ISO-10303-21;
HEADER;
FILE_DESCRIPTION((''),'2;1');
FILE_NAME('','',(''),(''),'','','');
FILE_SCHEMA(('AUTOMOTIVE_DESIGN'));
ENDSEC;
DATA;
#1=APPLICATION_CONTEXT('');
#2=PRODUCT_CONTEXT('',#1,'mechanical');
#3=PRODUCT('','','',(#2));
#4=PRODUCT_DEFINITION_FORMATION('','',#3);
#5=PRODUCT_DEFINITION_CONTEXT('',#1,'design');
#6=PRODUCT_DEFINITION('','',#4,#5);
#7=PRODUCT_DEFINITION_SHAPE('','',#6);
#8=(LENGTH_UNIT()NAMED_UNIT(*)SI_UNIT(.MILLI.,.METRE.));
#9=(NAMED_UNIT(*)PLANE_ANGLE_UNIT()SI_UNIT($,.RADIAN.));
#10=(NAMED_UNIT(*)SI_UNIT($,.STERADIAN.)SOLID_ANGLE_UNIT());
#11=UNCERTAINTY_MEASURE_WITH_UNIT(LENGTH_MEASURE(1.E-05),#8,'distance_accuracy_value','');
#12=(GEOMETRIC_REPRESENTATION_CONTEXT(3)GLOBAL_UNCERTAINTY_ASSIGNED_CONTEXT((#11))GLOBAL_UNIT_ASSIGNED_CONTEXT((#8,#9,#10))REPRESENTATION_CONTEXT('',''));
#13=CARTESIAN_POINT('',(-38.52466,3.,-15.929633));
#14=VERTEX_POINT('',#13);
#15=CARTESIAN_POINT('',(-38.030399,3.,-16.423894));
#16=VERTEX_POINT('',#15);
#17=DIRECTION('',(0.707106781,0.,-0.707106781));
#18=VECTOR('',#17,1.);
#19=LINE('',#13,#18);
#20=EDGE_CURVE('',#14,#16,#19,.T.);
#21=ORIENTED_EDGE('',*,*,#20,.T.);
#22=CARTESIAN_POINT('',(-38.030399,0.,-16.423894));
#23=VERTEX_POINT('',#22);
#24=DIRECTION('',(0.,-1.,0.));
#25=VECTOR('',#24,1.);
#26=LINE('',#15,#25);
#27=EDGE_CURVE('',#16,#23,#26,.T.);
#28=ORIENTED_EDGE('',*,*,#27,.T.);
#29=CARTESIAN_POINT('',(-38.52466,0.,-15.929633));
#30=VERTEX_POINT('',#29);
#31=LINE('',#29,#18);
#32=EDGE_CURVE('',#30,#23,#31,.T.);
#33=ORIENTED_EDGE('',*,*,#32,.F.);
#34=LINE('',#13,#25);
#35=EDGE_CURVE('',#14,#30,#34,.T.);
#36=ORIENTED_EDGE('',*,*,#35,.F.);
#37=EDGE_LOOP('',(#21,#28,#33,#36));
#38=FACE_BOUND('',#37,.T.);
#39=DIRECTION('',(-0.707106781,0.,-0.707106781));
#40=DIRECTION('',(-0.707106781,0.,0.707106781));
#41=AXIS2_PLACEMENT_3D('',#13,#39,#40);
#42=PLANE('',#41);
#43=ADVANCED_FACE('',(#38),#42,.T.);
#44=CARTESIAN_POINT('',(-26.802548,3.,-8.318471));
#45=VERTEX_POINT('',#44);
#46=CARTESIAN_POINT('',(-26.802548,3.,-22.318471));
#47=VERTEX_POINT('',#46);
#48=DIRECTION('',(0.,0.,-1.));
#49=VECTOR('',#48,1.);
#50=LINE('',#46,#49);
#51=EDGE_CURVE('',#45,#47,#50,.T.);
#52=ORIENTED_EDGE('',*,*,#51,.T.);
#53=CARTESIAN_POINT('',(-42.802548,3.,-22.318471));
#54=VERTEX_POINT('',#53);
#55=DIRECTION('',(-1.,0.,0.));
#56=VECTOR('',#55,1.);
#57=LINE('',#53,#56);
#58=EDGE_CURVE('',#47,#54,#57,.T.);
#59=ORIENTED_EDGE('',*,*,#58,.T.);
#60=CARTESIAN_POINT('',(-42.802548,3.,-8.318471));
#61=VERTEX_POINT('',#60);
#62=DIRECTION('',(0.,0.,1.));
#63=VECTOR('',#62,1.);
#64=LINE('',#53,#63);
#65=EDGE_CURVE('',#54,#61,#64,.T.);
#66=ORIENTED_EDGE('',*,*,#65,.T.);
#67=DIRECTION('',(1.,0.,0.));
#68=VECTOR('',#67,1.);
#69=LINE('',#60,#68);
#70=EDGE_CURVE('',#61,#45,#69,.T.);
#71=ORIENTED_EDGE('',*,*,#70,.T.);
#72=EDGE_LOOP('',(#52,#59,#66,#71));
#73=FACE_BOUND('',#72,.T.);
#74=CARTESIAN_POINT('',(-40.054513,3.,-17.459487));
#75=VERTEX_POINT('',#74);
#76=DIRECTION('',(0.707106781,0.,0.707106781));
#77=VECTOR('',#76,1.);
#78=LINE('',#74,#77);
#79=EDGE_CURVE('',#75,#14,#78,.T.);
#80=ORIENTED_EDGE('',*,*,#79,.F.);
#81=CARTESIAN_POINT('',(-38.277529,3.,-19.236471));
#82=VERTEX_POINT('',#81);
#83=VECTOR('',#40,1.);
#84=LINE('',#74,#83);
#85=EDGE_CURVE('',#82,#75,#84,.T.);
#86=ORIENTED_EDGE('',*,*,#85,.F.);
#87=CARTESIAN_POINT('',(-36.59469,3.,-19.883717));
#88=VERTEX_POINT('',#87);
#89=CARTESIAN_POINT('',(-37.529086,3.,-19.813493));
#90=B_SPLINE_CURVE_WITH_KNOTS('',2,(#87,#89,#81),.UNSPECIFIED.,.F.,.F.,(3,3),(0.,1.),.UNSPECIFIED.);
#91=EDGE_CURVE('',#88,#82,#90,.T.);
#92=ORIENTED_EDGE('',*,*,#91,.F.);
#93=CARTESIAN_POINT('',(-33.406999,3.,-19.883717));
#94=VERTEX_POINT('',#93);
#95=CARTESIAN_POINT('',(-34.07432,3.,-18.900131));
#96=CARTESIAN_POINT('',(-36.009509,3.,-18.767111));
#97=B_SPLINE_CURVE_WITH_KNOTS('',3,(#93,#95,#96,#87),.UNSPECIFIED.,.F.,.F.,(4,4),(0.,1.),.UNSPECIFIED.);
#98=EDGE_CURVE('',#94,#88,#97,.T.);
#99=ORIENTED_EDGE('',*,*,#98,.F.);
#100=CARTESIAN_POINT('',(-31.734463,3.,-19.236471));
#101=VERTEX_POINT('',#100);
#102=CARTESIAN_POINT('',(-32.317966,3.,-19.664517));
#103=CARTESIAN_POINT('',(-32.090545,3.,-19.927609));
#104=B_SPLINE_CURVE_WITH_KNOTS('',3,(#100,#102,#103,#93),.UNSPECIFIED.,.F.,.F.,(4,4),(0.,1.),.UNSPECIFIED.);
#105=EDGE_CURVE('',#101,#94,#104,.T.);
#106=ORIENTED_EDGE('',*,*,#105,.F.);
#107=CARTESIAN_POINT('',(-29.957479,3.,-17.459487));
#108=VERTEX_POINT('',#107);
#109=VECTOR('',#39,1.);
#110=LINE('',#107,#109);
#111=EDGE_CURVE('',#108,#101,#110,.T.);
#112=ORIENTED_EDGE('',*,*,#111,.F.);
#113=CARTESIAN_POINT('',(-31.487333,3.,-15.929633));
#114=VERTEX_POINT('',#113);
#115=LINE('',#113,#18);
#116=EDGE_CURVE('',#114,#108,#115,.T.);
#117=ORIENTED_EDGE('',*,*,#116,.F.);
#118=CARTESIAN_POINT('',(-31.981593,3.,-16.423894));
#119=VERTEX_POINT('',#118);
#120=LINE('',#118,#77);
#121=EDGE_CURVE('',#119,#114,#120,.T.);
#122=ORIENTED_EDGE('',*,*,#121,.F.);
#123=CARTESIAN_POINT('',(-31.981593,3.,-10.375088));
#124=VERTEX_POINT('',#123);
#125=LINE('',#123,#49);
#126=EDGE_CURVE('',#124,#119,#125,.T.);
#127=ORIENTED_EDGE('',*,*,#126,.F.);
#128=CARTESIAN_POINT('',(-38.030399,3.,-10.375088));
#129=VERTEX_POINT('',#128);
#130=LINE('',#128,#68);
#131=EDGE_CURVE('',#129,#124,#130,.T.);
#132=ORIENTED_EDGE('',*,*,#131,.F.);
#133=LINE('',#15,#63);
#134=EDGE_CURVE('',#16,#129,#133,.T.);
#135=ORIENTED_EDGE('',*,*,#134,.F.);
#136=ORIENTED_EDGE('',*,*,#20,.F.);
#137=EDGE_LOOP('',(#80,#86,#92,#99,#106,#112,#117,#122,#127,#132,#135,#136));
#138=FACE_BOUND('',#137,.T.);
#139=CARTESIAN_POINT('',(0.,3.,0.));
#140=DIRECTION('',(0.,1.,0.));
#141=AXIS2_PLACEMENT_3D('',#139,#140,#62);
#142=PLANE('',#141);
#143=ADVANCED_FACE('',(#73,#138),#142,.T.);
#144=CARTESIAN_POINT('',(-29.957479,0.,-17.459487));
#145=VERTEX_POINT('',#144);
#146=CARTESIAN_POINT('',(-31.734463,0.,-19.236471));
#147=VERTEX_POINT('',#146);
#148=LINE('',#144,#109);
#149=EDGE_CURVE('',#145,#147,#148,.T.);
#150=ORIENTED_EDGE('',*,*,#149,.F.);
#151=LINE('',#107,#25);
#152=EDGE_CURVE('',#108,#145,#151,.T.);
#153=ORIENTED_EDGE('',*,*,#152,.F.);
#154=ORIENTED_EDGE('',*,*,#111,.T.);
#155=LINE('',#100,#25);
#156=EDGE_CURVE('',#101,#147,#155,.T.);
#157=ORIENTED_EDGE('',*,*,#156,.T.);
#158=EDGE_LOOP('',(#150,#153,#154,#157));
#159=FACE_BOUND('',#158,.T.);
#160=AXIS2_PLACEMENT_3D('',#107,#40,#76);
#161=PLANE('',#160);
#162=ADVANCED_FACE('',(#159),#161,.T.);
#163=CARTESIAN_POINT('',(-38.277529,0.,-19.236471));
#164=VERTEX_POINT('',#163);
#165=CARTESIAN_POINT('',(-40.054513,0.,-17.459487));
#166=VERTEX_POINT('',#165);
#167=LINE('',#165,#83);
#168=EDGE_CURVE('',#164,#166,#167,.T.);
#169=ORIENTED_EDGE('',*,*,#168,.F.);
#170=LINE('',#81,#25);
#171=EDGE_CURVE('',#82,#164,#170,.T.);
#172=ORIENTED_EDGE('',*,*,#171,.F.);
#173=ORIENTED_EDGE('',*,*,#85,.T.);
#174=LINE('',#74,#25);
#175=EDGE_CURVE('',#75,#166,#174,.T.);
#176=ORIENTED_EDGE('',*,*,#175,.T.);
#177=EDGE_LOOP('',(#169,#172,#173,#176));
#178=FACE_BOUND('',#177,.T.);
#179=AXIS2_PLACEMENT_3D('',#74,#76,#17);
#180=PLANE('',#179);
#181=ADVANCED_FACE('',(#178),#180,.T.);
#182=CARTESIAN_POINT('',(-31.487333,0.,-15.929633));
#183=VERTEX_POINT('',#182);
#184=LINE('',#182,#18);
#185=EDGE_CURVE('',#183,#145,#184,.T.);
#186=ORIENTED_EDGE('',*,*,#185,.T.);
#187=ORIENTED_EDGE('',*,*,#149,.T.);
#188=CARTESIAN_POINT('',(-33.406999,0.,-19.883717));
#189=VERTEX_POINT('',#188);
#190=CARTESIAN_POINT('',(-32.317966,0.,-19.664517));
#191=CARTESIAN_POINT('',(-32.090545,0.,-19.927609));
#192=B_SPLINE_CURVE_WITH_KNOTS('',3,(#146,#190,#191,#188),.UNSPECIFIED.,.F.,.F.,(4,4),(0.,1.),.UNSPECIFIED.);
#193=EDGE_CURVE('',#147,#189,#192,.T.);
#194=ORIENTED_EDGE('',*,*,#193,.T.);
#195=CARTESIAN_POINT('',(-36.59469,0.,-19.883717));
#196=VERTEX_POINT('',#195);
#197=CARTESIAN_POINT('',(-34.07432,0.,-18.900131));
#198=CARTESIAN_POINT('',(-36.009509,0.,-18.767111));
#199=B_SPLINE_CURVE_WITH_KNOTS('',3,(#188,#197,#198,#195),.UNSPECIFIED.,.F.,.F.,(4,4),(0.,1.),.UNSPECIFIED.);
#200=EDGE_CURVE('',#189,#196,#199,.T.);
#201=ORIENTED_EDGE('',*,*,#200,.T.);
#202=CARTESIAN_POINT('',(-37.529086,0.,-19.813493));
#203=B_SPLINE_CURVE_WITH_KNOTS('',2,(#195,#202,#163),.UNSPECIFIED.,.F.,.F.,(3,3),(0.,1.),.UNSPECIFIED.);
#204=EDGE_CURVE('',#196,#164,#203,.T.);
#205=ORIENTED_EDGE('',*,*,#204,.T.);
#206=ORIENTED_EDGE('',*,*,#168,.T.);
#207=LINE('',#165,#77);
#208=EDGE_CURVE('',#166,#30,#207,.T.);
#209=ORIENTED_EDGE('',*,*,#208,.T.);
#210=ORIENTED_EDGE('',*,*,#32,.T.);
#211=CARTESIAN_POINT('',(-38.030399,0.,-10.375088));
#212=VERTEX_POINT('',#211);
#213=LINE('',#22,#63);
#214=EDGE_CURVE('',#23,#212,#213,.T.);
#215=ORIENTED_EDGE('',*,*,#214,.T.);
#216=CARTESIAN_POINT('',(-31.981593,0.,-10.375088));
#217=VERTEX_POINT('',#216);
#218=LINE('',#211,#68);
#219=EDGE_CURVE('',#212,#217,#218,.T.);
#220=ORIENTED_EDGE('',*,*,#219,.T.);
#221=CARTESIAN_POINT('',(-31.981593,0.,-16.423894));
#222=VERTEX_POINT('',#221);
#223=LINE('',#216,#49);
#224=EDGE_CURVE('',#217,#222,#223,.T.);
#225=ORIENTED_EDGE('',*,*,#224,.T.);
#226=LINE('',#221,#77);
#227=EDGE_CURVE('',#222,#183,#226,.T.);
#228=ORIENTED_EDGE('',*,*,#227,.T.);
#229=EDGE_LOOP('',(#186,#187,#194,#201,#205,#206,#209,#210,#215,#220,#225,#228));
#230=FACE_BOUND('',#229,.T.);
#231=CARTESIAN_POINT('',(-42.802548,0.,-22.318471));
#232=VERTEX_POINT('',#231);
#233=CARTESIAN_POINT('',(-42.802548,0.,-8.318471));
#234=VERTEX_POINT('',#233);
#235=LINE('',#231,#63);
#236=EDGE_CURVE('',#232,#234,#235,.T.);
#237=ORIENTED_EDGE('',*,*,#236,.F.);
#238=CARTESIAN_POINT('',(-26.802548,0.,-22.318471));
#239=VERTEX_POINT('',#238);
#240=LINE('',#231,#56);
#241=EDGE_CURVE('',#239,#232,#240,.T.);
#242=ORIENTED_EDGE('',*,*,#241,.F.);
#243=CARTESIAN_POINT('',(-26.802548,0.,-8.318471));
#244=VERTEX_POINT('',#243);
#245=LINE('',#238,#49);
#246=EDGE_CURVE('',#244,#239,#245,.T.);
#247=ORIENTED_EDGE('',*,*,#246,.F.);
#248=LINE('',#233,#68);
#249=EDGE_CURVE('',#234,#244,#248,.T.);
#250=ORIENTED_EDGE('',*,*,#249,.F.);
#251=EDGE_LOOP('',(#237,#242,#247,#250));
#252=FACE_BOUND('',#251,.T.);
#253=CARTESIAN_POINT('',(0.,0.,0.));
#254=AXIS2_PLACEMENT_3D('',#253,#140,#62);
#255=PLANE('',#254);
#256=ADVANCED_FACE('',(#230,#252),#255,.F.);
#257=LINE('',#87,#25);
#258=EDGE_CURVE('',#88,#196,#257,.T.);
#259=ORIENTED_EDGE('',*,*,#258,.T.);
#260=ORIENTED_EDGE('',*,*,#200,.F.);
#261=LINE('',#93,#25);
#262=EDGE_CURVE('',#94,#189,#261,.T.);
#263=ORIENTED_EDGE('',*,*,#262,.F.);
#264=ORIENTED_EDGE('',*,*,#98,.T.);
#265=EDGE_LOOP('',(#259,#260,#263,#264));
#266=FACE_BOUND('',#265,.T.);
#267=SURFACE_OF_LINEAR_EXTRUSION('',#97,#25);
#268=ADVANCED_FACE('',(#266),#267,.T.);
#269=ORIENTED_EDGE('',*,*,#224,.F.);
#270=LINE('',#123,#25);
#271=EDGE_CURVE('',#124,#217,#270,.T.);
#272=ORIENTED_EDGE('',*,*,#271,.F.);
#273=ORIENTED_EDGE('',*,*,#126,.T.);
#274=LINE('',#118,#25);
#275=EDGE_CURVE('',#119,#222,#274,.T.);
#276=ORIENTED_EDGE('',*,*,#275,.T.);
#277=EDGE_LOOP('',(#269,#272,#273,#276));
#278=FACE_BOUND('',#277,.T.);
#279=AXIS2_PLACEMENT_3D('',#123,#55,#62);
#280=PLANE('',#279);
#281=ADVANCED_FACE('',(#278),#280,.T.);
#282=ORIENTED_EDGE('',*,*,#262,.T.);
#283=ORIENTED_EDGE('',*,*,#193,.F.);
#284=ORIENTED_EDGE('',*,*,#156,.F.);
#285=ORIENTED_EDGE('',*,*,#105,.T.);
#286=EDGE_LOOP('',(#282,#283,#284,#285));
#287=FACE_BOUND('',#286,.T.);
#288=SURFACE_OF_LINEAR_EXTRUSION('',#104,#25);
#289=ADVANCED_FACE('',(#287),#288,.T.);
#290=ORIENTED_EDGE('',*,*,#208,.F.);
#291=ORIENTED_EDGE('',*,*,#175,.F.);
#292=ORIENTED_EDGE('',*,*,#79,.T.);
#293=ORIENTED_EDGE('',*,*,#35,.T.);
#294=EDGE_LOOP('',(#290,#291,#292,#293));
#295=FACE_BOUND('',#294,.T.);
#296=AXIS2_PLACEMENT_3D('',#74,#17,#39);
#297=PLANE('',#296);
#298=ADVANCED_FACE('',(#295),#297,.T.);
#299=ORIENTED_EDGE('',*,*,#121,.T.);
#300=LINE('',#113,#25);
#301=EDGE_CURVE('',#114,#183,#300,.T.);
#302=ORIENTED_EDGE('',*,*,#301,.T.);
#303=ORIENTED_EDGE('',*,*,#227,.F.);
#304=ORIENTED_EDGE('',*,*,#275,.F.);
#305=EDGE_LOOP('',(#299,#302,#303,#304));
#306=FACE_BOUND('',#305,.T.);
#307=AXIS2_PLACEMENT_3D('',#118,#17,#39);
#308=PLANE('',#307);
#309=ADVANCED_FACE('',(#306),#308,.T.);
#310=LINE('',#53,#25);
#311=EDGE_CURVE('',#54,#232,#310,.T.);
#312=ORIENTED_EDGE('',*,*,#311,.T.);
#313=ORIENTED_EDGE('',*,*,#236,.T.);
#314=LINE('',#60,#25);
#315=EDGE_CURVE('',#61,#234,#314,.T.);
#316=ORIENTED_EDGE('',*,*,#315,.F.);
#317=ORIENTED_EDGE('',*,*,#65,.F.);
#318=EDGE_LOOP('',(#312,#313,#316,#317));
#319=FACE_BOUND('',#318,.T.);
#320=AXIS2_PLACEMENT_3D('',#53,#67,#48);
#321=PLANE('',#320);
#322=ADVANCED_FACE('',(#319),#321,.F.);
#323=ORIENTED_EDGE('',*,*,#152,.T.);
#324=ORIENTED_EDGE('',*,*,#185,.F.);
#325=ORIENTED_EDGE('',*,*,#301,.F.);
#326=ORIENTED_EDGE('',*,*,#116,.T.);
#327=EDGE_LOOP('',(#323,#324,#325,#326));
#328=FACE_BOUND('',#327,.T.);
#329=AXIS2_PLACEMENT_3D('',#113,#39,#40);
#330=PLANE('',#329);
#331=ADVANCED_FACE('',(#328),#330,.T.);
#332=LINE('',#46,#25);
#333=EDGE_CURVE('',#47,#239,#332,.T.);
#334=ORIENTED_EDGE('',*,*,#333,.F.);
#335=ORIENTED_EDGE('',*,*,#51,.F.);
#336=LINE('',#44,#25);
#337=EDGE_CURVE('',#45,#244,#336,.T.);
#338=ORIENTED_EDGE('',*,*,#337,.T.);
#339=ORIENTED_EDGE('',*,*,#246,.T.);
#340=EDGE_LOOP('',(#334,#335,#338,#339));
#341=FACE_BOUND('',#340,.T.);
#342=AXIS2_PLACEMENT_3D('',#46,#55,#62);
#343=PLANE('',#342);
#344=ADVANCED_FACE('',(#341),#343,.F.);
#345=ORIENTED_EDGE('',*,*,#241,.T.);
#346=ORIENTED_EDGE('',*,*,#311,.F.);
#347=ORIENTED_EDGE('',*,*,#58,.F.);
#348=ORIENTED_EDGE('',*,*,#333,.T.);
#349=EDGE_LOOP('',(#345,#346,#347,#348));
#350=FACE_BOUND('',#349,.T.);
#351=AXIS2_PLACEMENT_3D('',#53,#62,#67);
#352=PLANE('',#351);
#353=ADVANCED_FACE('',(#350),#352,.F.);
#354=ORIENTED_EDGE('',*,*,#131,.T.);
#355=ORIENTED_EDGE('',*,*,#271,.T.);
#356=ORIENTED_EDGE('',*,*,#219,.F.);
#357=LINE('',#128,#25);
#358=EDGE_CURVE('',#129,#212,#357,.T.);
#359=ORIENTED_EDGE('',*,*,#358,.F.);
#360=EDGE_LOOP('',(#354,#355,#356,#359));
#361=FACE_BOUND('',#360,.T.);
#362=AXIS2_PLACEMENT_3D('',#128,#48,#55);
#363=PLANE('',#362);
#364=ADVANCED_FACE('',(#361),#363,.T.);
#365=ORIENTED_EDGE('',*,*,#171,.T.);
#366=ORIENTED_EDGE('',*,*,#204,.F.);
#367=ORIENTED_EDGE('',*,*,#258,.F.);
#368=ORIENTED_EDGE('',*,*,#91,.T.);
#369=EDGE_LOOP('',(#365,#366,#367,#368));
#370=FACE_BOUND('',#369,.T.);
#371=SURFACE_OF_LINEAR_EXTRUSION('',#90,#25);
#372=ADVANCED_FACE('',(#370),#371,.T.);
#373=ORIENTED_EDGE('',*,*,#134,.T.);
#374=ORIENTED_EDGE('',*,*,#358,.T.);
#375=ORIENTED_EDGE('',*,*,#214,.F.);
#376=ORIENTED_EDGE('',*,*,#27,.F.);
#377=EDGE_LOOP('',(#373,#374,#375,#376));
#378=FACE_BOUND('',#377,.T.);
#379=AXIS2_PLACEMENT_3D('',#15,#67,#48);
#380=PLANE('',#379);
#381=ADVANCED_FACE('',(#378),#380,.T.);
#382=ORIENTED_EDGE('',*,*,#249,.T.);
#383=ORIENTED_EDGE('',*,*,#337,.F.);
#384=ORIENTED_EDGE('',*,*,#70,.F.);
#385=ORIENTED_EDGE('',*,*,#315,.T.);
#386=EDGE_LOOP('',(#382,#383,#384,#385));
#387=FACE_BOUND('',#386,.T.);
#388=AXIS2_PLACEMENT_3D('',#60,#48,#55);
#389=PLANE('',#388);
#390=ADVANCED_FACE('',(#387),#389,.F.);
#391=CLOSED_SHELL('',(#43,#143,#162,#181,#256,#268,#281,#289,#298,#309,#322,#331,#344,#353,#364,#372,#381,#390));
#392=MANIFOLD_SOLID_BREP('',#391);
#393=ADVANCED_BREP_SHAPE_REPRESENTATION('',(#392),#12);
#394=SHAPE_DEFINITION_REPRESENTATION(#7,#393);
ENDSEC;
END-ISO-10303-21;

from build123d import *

# Parameters (mm, degrees)
SKETCH1_W           = 16
SKETCH1_H           = 14
BOSS_EXTRUDE1_DEPTH = 3


with BuildPart() as part:
    # Sketch1 → Boss-Extrude1 (new body)
    with BuildSketch(Plane(origin=(0, 0, 0), x_dir=(1, 0, 0), z_dir=(0, 1, 0))):
        with Locations((-34.802547771, 15.318471338)):
            Rectangle(SKETCH1_W, SKETCH1_H)
        with BuildLine():
            Line((-40.05451323, 17.459486991), (-38.524659604, 15.929633365))
            Line((-38.524659604, 15.929633365), (-38.030399201, 16.423893767))
            Line((-38.030399201, 16.423893767), (-38.030399201, 10.37508789))
            Line((-38.030399201, 10.37508789), (-31.981593325, 10.37508789))
            Line((-31.981593325, 10.37508789), (-31.981593325, 16.423893767))
            Line((-31.981593325, 16.423893767), (-31.487332922, 15.929633365))
            Line((-31.487332922, 15.929633365), (-29.957479296, 17.459486991))
            Line((-29.957479296, 17.459486991), (-31.734463123, 19.236470819))
            add(Edge.make_bspline(
                [(-31.734463123, 19.236470819), (-32.317966026, 19.664517133), (-32.090545187, 19.92760941), (-33.406999381, 19.883716584)],
                knots=[0, 0, 0, 0, 1, 1, 1, 1], degree=3))
            add(Edge.make_bspline(
                [(-36.594690414, 19.883716584), (-36.00950924, 18.767110628), (-34.074320208, 18.900131332), (-33.406999381, 19.883716584)],
                knots=[0, 0, 0, 0, 1, 1, 1, 1], degree=3))
            add(Edge.make_bspline(
                [(-38.277529403, 19.236470819), (-37.529085744, 19.813493214), (-36.594690414, 19.883716584)],
                knots=[0, 0, 0, 1, 1, 1], degree=2))
            Line((-38.277529403, 19.236470819), (-40.05451323, 17.459486991))
        make_face(mode=Mode.SUBTRACT)
    extrude(amount=BOSS_EXTRUDE1_DEPTH)


solid = part.part
